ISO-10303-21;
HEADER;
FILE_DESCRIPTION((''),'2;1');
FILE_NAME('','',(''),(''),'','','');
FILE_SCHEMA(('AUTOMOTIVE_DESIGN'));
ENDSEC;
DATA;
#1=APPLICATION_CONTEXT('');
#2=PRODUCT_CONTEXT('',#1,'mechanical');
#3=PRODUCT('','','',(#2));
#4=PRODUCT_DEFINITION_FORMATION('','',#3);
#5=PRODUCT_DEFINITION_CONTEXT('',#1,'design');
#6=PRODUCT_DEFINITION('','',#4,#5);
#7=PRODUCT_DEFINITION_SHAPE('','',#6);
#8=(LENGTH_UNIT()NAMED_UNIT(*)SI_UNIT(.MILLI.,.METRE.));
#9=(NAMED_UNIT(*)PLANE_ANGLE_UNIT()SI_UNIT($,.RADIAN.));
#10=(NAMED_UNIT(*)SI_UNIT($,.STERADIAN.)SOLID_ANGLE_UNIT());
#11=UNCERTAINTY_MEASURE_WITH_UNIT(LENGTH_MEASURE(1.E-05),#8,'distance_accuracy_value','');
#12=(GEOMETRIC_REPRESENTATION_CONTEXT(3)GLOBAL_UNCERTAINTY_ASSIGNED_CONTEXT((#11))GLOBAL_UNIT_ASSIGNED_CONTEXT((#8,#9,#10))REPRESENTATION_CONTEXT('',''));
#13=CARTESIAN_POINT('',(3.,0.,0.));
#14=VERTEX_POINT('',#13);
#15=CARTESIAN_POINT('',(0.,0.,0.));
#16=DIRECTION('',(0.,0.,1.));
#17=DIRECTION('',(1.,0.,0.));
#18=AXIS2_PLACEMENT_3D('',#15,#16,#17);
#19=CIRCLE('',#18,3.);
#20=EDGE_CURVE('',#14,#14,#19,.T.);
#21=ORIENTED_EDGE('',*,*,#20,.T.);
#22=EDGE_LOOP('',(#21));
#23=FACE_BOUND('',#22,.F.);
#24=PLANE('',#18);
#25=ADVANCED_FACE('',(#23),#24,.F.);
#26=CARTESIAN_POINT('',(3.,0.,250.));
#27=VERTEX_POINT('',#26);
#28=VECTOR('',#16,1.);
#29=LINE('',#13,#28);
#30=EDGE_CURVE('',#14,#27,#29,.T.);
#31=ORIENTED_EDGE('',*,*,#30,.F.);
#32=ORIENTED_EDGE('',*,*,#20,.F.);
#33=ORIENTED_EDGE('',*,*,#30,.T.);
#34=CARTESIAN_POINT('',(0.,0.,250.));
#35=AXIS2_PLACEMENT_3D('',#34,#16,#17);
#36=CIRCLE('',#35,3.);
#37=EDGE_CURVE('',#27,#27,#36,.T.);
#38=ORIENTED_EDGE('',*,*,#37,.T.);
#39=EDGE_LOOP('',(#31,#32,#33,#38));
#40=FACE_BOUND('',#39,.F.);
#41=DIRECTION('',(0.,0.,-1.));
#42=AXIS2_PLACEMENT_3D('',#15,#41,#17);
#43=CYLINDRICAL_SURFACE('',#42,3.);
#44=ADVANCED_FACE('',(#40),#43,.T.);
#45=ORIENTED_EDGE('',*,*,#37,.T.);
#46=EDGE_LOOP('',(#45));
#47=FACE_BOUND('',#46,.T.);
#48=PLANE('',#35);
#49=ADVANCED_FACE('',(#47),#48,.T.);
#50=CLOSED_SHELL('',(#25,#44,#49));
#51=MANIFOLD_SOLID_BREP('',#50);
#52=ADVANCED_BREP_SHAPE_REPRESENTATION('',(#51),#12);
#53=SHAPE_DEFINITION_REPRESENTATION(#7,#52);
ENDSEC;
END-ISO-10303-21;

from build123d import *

# Parameters (mm, degrees)
ESQUISSE1_R        = 3
BOSS_EXTRU_1_DEPTH = 250


with BuildPart() as part:
    # Esquisse1 → Boss.-Extru.1 (new body)
    with BuildSketch(Plane.XY):
        Circle(ESQUISSE1_R)
    extrude(amount=BOSS_EXTRU_1_DEPTH)


solid = part.part
